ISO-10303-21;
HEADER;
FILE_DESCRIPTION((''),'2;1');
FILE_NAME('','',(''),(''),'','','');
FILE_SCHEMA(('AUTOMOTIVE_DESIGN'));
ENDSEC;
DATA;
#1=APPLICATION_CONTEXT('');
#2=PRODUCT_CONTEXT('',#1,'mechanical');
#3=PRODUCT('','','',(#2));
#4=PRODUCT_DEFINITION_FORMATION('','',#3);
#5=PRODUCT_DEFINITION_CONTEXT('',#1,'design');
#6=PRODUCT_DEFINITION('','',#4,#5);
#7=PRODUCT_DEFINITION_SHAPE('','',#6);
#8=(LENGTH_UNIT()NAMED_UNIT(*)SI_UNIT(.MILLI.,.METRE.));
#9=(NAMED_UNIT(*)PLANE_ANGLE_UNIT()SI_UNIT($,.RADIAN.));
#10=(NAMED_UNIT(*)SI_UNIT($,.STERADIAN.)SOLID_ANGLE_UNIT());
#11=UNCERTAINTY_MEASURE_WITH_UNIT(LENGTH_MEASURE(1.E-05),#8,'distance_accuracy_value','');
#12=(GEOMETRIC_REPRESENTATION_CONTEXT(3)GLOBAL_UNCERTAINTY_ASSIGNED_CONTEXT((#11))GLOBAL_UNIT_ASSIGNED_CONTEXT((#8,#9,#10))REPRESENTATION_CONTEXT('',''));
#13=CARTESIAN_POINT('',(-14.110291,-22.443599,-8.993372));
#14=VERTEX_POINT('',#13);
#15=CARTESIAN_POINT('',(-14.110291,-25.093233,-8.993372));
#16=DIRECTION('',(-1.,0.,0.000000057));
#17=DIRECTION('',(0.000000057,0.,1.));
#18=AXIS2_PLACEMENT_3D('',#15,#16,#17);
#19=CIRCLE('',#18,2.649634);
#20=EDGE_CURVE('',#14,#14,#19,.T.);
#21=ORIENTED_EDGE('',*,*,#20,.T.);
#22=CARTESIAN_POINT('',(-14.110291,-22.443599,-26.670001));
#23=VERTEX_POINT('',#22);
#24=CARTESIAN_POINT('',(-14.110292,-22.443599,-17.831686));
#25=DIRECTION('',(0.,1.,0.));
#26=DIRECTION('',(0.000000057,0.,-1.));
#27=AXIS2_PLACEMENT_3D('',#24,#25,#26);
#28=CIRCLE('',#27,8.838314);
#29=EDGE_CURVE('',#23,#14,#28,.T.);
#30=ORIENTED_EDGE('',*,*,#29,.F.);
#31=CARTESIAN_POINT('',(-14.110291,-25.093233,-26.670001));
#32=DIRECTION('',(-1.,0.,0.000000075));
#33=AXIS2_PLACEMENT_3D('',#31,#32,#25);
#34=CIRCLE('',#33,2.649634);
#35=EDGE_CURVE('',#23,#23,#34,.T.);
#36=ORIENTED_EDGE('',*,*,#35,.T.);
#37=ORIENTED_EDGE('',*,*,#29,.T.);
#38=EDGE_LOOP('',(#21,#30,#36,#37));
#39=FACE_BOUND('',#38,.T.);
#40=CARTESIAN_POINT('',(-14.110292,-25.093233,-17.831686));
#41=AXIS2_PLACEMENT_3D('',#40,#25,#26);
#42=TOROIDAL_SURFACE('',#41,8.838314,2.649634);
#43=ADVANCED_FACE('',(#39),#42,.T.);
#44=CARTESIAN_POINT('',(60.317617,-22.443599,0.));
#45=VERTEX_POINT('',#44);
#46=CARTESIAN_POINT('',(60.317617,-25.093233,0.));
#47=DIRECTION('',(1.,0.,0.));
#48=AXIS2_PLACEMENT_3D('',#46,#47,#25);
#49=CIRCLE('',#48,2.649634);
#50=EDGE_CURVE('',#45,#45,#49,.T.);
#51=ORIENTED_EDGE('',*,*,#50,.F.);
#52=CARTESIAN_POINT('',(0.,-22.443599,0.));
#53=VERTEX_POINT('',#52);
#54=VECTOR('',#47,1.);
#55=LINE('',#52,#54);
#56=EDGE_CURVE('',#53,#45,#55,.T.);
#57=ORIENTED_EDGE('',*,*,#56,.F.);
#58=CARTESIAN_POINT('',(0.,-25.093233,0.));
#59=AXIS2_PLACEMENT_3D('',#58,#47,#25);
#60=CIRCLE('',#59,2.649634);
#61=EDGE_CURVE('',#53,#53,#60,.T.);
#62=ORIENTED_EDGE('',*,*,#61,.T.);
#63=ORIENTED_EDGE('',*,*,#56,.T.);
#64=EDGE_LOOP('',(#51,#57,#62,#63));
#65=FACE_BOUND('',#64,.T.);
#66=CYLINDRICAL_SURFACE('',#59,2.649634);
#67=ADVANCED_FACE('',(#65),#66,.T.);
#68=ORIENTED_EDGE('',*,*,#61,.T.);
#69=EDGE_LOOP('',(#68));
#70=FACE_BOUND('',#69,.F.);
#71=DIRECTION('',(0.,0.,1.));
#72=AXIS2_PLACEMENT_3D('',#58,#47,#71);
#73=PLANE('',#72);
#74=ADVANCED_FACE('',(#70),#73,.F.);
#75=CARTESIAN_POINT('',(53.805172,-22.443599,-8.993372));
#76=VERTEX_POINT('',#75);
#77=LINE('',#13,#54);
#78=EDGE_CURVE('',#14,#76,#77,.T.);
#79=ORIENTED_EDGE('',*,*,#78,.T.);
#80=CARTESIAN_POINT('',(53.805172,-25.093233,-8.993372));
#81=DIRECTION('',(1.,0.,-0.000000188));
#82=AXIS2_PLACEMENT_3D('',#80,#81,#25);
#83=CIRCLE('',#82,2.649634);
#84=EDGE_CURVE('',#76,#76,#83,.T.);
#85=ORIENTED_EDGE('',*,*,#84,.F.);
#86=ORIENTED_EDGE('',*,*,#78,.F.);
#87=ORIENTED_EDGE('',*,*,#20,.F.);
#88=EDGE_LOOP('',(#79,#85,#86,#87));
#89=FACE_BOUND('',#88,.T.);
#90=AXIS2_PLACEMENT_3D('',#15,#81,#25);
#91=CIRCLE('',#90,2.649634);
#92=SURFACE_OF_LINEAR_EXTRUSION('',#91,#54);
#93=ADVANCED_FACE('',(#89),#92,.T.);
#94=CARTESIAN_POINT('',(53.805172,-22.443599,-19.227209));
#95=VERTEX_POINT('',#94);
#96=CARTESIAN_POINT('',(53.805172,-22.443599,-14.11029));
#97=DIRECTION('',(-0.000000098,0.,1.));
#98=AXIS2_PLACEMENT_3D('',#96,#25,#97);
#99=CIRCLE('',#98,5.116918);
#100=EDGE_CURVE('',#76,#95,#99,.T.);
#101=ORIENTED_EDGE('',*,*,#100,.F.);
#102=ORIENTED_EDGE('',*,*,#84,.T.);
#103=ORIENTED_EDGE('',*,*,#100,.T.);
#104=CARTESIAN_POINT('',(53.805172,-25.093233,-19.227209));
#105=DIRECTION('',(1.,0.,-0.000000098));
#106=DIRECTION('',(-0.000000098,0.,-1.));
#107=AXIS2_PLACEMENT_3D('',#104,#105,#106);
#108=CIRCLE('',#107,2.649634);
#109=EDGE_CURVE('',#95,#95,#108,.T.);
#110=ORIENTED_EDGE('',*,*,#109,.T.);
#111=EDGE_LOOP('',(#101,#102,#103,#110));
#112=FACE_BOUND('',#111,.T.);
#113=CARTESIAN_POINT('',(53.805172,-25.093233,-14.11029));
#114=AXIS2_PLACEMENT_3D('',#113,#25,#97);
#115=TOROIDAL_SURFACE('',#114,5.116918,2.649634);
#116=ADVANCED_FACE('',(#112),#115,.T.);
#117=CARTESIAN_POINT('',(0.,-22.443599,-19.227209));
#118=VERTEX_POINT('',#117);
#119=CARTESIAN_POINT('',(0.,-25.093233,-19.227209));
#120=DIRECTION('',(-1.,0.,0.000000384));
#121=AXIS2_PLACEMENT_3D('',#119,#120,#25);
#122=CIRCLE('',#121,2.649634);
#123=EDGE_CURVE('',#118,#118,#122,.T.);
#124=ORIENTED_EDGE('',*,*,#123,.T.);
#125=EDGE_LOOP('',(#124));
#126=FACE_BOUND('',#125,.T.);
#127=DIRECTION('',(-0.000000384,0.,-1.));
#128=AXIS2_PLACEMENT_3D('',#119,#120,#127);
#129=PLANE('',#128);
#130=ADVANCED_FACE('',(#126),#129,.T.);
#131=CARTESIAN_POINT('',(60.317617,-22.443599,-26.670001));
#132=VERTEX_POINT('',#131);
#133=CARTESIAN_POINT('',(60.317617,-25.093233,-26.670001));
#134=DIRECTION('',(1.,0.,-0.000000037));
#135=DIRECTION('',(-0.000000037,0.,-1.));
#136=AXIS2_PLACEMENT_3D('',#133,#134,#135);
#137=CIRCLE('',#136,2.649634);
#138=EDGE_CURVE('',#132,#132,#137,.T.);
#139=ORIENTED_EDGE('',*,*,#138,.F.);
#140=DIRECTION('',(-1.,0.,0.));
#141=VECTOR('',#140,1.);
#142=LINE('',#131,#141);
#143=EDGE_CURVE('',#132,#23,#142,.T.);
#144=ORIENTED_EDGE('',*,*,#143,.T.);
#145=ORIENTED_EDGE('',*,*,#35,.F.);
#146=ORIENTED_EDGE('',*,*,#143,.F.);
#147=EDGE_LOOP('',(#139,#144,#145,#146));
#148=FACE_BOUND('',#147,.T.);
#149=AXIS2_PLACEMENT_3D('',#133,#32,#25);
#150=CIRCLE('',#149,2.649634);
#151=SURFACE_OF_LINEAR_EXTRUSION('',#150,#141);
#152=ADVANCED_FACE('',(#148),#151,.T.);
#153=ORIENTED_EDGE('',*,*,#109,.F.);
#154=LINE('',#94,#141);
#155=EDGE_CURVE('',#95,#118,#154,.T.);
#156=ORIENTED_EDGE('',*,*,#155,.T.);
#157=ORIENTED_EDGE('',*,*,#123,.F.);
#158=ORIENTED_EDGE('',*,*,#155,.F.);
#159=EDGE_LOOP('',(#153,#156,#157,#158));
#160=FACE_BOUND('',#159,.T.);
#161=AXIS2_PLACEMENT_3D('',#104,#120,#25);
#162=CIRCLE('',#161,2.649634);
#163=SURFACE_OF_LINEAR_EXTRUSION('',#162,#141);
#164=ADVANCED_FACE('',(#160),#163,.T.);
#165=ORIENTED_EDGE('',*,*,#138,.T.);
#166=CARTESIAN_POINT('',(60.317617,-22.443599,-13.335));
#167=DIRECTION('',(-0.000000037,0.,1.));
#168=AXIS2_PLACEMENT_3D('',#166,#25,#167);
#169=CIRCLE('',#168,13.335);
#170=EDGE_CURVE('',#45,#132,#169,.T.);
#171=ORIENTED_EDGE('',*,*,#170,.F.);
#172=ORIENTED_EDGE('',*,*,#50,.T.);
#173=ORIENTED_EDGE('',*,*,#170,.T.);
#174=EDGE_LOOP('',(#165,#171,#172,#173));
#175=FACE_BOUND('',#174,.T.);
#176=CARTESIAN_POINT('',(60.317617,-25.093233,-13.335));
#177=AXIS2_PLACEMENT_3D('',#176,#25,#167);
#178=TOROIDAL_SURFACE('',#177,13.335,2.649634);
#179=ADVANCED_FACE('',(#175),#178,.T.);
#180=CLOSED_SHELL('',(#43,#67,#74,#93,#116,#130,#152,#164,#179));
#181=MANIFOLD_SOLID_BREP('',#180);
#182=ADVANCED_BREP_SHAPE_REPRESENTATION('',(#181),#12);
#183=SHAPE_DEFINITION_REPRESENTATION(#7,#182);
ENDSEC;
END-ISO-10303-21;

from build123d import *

# Parameters (mm, degrees)
F2_R = 2.649634


with BuildPart() as f3:
    # F3: sweep along a path in F1
    with BuildLine(Plane.XZ.offset(25.4)) as f3_path:
        Line((0, 0), (60.317617, 0))
        ThreePointArc((60.317617, 0), (73.652618, -13.335001), (60.317617, -26.670001))
        Line((60.317617, -26.670001), (-14.110291, -26.670001))
        ThreePointArc((-14.110291, -26.670001), (-22.948606, -17.831687), (-14.110291, -8.993372))
        Line((-14.110291, -8.993372), (53.805172, -8.993372))
        ThreePointArc((53.805172, -8.993372), (58.922091, -14.11029), (53.805172, -19.227209))
        Line((53.805172, -19.227209), (0, -19.227209))
    # F2 (on Right) → F3 (sweep)
    with BuildSketch(Plane.YZ):
        with Locations((-25.093233, 0)):
            Circle(F2_R)
    sweep(path=f3_path.line)


solid = f3.part
